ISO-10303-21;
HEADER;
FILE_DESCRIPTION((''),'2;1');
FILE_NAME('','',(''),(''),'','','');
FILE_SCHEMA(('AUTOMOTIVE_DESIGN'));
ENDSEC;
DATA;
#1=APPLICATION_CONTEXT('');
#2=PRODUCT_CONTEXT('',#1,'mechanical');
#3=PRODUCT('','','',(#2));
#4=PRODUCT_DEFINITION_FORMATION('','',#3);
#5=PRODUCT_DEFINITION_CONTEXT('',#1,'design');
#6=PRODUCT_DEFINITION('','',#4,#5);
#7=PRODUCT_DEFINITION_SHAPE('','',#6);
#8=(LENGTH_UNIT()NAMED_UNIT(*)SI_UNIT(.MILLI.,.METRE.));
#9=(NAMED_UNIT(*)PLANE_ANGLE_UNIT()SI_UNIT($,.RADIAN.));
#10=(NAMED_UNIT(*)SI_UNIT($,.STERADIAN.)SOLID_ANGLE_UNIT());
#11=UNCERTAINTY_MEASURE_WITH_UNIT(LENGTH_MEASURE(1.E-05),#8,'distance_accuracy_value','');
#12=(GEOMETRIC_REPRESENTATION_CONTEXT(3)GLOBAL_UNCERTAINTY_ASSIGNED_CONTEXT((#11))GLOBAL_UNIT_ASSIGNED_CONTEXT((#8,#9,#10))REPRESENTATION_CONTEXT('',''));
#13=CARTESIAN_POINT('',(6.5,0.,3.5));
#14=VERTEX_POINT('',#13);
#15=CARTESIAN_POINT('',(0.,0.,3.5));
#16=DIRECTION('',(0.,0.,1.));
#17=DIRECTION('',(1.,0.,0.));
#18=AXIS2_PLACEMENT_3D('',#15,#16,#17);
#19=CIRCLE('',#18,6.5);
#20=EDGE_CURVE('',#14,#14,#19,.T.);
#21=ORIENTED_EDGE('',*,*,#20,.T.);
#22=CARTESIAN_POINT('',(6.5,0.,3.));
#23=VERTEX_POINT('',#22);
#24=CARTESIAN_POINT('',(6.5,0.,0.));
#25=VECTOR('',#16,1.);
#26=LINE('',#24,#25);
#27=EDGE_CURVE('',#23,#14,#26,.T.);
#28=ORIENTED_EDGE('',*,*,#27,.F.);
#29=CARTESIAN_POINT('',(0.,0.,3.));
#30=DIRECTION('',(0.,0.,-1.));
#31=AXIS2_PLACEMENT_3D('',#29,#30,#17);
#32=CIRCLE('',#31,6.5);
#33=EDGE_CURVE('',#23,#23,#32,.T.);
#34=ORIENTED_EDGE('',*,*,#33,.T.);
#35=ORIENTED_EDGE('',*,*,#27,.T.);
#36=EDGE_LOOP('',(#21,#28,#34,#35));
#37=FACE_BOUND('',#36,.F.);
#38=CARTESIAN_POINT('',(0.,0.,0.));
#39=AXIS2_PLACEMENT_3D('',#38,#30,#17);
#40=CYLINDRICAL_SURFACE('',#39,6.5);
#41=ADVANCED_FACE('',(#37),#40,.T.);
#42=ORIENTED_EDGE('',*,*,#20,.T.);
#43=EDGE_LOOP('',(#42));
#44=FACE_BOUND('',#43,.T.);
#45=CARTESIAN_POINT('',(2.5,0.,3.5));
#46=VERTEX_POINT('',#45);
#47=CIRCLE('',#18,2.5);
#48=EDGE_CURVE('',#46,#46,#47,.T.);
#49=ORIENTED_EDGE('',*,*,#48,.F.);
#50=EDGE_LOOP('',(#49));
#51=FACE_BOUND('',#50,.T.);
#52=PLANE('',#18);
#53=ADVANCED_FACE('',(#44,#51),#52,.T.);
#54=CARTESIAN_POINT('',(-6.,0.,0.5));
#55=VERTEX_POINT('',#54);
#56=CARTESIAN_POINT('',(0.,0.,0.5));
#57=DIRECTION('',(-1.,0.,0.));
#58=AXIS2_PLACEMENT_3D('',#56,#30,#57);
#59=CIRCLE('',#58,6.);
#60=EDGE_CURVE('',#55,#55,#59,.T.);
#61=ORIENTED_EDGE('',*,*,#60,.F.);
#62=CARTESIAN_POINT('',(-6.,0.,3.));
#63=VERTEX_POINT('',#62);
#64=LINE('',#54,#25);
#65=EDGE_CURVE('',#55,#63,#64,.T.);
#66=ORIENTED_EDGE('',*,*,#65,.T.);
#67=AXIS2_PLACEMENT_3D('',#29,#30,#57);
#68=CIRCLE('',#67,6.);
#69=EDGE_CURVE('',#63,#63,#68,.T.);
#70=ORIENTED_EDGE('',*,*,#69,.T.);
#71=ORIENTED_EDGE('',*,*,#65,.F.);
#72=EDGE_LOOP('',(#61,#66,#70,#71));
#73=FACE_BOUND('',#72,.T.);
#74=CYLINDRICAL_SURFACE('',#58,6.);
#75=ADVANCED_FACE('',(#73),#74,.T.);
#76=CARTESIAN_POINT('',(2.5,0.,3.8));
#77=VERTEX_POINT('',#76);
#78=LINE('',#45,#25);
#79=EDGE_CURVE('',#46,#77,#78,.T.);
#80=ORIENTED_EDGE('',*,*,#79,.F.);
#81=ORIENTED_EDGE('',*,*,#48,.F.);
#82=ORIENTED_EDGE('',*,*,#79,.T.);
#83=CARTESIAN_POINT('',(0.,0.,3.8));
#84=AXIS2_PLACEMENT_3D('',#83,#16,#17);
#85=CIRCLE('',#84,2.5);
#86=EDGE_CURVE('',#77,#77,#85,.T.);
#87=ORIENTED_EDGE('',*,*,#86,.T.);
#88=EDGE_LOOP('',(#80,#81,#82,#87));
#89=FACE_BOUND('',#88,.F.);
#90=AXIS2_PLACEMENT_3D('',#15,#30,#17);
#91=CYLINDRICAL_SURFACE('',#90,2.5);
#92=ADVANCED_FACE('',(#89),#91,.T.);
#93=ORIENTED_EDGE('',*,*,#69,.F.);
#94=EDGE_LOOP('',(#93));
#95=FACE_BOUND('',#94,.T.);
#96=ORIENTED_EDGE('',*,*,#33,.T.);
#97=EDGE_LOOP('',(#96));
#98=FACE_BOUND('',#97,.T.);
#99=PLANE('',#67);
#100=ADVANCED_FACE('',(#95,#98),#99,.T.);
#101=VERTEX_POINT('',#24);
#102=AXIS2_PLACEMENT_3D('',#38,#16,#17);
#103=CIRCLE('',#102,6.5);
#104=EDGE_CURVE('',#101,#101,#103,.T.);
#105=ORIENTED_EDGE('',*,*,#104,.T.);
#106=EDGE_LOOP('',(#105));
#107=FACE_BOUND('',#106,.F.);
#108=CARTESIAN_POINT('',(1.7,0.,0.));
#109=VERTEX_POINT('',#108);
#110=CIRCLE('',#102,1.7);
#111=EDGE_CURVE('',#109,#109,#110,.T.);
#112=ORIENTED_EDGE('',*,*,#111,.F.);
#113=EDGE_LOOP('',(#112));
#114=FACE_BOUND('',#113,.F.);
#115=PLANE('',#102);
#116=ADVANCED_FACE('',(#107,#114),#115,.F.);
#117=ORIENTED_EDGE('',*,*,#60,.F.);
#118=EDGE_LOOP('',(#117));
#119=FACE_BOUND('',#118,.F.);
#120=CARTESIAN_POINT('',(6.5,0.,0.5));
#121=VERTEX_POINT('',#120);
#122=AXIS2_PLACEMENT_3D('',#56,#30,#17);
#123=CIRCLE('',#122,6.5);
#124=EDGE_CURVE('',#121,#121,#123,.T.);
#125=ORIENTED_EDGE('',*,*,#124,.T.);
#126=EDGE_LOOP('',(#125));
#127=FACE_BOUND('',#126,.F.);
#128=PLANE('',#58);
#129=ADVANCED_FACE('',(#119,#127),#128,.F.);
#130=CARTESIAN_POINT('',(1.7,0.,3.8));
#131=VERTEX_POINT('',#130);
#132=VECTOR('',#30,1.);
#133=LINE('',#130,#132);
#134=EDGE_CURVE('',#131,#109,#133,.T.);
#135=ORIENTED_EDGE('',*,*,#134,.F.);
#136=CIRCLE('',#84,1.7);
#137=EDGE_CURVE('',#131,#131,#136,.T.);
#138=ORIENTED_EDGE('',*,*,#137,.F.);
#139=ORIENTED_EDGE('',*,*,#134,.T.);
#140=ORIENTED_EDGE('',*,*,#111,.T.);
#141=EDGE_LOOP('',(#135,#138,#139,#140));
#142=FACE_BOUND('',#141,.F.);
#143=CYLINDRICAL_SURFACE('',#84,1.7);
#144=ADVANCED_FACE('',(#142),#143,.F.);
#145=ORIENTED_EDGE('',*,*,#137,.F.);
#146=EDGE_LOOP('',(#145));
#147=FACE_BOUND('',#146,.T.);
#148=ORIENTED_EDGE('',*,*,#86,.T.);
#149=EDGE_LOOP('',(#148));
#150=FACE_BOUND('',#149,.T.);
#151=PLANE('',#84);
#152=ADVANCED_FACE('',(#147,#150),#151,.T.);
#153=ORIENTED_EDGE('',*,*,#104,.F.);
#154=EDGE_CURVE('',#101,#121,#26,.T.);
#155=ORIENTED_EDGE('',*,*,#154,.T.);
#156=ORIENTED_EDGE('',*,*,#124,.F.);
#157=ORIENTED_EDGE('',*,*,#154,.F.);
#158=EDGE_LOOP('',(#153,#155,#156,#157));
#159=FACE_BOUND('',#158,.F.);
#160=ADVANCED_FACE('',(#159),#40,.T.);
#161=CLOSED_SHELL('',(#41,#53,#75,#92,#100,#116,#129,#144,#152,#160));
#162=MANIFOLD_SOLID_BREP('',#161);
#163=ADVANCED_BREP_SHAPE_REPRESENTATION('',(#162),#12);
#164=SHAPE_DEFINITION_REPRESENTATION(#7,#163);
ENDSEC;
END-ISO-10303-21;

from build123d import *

# Parameters (mm, degrees)
SKETCH1_R           = 6.5
BOSS_EXTRUDE1_DEPTH = 3.5
SKETCH2_R           = 2.5
BOSS_EXTRUDE2_DEPTH = 0.3
SKETCH3_R           = 6.5
SKETCH3_R_2         = 6
CUT_EXTRUDE1_DEPTH  = 2.5
SKETCH4_R           = 1.7
CUT_EXTRUDE2_DEPTH  = 4.8


with BuildPart() as part:
    # Sketch1 → Boss-Extrude1 (new body)
    with BuildSketch(Plane.XY):
        Circle(SKETCH1_R)
    extrude(amount=BOSS_EXTRUDE1_DEPTH)

    # Sketch2 → Boss-Extrude2 (add)
    with BuildSketch(Plane.XY.offset(3.5)):
        Circle(SKETCH2_R)
    extrude(amount=BOSS_EXTRUDE2_DEPTH)

    # Sketch3 → Cut-Extrude1 (cut)
    with BuildSketch(Plane(origin=(0, 0, 0.5), x_dir=(-1, 0, 0), z_dir=(0, 0, -1))):
        Circle(SKETCH3_R)
        Circle(SKETCH3_R_2, mode=Mode.SUBTRACT)
    extrude(amount=-CUT_EXTRUDE1_DEPTH, mode=Mode.SUBTRACT)

    # Sketch4 → Cut-Extrude2 (cut, through all)
    with BuildSketch(Plane.XY.offset(3.8)):
        Circle(SKETCH4_R)
    extrude(amount=-CUT_EXTRUDE2_DEPTH, mode=Mode.SUBTRACT)


solid = part.part
